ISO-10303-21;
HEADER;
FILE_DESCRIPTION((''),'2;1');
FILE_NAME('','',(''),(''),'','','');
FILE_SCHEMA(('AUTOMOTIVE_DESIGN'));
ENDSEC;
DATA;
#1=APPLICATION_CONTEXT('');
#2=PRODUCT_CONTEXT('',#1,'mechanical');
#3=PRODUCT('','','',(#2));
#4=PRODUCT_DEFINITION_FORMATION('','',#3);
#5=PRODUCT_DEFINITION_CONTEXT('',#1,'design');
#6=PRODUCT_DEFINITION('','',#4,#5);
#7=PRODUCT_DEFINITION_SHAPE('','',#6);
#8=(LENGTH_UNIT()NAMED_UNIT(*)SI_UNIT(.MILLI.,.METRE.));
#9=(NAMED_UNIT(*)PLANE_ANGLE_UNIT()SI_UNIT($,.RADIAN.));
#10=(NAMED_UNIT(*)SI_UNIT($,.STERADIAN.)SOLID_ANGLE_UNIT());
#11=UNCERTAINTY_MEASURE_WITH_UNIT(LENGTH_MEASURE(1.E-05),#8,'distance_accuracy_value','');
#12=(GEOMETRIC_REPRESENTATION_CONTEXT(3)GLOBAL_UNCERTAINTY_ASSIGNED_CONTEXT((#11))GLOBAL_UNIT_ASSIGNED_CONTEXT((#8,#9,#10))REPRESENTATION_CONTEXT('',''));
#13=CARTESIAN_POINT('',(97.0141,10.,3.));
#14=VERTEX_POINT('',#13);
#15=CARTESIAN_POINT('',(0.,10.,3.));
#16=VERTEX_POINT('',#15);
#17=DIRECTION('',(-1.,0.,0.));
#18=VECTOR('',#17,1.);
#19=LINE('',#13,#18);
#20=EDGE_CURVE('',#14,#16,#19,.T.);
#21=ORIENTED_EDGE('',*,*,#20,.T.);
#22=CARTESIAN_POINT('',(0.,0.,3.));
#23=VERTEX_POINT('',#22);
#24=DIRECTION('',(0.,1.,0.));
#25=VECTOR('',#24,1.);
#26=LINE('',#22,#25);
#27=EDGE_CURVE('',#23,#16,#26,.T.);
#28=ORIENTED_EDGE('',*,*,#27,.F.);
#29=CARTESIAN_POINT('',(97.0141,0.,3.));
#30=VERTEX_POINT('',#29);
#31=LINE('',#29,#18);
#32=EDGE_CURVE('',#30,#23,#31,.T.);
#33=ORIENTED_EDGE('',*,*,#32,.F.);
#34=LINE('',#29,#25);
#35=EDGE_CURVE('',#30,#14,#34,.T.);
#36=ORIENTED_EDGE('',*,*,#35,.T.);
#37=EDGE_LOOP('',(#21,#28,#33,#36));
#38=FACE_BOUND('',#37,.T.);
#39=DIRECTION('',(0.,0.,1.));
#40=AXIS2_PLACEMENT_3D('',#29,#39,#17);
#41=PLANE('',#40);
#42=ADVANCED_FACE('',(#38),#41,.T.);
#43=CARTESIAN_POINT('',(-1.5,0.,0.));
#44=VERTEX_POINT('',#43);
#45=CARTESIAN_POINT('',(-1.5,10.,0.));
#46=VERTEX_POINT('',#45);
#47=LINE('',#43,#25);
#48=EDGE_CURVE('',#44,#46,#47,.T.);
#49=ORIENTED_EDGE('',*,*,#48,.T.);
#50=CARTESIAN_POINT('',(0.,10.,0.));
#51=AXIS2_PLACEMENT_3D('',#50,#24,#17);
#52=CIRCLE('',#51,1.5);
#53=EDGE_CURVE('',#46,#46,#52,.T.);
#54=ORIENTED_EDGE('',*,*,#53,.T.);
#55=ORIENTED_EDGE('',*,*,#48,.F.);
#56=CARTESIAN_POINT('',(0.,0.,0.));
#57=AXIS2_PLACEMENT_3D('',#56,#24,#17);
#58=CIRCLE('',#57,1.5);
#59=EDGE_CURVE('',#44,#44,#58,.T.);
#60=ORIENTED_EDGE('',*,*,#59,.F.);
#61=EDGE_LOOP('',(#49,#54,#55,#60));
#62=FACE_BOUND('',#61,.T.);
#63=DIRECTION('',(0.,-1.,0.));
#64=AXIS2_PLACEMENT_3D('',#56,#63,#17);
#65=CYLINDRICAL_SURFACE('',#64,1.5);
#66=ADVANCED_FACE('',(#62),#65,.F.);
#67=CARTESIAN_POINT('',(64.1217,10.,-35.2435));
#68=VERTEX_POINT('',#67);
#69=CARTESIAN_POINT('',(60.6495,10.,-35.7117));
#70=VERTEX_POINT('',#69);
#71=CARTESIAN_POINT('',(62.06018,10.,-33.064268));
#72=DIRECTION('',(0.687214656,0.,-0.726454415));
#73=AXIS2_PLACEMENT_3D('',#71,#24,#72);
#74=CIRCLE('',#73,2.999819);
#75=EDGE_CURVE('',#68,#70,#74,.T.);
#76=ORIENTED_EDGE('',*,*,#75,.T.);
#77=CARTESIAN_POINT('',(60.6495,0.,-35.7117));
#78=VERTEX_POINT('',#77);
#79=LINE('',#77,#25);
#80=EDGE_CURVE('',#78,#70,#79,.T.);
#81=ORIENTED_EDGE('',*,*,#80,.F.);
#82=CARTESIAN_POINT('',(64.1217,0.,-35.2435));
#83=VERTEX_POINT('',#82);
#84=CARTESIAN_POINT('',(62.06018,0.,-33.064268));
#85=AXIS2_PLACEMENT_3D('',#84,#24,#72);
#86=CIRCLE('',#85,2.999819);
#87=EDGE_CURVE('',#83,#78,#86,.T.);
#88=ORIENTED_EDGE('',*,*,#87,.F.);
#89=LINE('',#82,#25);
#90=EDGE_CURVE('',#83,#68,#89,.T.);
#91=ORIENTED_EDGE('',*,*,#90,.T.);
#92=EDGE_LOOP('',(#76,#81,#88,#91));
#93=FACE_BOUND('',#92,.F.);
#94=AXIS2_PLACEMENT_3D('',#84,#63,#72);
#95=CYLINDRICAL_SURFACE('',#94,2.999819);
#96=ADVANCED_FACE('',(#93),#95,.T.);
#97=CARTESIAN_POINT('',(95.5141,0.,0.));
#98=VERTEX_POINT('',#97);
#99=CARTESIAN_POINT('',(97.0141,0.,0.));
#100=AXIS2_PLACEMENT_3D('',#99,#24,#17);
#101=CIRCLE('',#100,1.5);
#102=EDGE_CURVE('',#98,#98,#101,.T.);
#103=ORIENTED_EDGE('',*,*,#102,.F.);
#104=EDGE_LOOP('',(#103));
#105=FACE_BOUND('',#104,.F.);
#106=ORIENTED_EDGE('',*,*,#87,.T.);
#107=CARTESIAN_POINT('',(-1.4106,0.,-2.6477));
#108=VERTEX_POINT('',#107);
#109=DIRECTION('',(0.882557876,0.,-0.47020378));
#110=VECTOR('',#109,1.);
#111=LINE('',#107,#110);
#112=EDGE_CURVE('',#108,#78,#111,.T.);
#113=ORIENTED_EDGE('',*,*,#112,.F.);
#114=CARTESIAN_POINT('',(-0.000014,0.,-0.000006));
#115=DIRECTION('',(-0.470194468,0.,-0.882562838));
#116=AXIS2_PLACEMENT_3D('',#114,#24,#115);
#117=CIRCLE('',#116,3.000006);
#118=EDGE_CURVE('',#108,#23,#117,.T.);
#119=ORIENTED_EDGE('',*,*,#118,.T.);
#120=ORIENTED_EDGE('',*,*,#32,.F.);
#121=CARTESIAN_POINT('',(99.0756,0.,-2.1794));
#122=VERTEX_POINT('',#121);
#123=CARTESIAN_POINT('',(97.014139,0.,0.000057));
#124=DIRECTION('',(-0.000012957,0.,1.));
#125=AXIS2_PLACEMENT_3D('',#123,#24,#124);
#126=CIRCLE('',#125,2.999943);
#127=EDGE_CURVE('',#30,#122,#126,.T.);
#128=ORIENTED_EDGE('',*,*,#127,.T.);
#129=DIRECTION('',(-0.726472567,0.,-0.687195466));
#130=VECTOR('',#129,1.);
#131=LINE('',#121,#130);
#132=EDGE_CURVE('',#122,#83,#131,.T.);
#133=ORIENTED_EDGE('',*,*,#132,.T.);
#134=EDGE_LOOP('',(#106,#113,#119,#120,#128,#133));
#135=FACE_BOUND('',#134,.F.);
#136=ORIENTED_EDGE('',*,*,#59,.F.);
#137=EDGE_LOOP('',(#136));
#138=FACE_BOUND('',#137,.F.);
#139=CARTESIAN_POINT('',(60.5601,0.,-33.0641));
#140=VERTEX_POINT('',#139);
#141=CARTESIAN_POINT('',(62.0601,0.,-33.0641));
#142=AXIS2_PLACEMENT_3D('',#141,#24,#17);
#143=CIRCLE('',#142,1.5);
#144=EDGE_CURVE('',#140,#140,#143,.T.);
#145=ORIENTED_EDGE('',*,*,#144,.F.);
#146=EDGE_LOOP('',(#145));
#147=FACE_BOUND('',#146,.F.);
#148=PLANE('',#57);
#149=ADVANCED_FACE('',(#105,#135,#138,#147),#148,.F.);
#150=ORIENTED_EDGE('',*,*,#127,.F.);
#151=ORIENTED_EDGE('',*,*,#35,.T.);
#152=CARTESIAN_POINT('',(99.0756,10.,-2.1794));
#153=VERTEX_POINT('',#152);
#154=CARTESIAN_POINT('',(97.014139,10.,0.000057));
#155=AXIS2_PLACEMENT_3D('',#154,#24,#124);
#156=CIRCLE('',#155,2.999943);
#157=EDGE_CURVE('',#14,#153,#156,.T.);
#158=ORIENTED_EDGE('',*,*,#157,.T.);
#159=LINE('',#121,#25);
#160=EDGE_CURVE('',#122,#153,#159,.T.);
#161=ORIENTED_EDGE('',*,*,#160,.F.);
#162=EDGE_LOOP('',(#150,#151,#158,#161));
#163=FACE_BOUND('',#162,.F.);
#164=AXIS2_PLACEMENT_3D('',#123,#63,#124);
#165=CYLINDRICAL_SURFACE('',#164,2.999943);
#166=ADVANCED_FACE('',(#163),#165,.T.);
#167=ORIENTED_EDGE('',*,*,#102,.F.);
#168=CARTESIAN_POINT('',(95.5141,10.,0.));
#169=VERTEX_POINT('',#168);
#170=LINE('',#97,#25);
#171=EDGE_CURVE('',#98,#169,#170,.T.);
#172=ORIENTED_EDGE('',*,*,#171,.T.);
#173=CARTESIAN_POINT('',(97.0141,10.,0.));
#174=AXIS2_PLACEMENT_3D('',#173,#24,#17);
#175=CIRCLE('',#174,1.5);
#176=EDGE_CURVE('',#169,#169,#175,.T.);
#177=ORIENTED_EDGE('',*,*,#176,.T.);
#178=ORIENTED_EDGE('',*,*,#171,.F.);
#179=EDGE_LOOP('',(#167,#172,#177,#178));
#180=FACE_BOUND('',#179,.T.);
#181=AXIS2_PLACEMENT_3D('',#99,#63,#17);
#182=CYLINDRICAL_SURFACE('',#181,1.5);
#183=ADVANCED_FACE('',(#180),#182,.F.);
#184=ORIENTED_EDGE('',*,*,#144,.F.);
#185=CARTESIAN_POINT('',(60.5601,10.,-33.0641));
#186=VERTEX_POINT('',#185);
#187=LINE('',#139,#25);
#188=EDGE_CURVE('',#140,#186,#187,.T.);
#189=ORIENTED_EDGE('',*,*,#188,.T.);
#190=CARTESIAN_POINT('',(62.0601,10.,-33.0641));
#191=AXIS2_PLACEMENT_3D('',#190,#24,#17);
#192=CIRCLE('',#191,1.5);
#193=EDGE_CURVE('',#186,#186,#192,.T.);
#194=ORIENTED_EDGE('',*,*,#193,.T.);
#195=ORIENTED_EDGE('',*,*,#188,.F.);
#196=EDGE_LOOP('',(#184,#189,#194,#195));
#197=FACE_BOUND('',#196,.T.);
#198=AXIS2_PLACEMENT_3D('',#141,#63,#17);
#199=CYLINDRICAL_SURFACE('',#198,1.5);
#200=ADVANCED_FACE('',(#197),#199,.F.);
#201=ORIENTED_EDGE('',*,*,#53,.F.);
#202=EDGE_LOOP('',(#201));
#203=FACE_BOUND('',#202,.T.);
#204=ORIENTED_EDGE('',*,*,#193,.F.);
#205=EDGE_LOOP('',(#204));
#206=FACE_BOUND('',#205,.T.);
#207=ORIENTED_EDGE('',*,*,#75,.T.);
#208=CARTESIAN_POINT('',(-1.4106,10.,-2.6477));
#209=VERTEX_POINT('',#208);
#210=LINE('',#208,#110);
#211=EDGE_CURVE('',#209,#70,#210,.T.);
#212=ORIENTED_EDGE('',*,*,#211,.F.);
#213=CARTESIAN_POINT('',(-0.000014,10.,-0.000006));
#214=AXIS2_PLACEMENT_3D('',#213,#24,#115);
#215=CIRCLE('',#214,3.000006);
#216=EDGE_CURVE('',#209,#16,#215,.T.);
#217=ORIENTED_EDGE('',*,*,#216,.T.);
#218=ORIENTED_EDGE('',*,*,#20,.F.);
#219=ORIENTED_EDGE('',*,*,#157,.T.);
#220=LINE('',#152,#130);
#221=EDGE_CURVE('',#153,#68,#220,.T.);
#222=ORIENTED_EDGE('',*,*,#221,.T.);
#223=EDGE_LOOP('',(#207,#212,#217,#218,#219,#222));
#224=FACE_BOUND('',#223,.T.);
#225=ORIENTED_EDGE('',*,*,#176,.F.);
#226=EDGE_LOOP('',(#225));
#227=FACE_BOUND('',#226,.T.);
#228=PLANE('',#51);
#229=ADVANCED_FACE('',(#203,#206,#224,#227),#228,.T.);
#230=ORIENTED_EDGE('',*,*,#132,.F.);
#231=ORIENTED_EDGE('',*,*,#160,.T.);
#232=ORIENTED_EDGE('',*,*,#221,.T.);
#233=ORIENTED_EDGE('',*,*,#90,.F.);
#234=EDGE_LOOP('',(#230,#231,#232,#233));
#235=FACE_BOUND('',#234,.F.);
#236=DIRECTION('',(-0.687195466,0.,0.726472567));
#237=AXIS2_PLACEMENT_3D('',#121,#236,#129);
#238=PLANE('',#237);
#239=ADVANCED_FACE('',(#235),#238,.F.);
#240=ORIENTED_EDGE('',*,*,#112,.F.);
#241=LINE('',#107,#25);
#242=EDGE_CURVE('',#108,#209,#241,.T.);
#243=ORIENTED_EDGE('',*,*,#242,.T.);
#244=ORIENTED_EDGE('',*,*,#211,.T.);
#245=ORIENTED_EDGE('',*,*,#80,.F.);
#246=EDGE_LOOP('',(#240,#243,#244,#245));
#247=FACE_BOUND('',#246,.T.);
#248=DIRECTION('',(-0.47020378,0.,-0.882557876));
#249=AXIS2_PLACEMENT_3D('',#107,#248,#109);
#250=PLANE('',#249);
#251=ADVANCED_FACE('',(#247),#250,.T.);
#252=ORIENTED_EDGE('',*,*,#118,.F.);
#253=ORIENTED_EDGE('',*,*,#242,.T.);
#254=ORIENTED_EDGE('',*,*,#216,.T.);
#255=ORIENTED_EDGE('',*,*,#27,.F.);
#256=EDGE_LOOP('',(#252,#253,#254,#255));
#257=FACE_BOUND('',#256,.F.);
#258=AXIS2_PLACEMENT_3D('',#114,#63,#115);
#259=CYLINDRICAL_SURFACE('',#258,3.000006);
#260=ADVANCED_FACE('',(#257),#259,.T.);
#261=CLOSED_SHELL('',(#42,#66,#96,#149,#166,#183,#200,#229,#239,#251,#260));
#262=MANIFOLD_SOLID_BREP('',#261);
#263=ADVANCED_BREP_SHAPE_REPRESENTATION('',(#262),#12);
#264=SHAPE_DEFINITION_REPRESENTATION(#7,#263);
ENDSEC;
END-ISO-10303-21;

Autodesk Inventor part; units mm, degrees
ref_plane "YZ Plane" through (0, 0, 0) normal (1, 0, 0) x (0, 1, 0)
ref_plane "XZ Plane" through (0, 0, 0) normal (0, 1, 0) x (-1, 0, 0)
ref_plane "XY Plane" through (0, 0, 0) normal (0, 0, 1) x (1, 0, 0)
sketch "草圖2" plane through (0, 0, 0) normal (0, 1, 0) x (-1, 0, 0)
  line L0 (-62.0601, -33.0641) -> (0, 0) construction
  line L1 (0, 0) -> (-97.0141, 0) construction
  arc A0 (-97.0141, 3) -> (-99.0756, -2.1794) centre (-97.0141, 0) ccw
  arc A1 (1.4106, -2.6477) -> (0, 3) centre (0, 0) ccw
  line L2 (-97.0141, 3) -> (0, 3)
  line L3 (-99.0756, -2.1794) -> (-64.1217, -35.2435)
  line L4 (-97.0141, 0) -> (-62.0601, -33.0641) construction
  arc A2 (-64.1217, -35.2435) -> (-60.6495, -35.7117) centre (-62.0601, -33.0641) ccw
  line L5 (1.4106, -2.6477) -> (-60.6495, -35.7117)
  circle A3 centre (-97.0141, 0) radius 1.5
  circle A4 centre (0, 0) radius 1.5
  circle A5 centre (-62.0601, -33.0641) radius 1.5
  dimension "d11" = 6
  dimension "hole" = 3
  dimension "center_distance1" = 97.0141
  dimension "center_distance3" = 48.1146
  dimension "center_distance2" = 70.3185
extrude "擠出2" add sketch "草圖2" along normal blind 10
equation "\"d11\" = 2 * hole"
properties part number "ternary_link"
